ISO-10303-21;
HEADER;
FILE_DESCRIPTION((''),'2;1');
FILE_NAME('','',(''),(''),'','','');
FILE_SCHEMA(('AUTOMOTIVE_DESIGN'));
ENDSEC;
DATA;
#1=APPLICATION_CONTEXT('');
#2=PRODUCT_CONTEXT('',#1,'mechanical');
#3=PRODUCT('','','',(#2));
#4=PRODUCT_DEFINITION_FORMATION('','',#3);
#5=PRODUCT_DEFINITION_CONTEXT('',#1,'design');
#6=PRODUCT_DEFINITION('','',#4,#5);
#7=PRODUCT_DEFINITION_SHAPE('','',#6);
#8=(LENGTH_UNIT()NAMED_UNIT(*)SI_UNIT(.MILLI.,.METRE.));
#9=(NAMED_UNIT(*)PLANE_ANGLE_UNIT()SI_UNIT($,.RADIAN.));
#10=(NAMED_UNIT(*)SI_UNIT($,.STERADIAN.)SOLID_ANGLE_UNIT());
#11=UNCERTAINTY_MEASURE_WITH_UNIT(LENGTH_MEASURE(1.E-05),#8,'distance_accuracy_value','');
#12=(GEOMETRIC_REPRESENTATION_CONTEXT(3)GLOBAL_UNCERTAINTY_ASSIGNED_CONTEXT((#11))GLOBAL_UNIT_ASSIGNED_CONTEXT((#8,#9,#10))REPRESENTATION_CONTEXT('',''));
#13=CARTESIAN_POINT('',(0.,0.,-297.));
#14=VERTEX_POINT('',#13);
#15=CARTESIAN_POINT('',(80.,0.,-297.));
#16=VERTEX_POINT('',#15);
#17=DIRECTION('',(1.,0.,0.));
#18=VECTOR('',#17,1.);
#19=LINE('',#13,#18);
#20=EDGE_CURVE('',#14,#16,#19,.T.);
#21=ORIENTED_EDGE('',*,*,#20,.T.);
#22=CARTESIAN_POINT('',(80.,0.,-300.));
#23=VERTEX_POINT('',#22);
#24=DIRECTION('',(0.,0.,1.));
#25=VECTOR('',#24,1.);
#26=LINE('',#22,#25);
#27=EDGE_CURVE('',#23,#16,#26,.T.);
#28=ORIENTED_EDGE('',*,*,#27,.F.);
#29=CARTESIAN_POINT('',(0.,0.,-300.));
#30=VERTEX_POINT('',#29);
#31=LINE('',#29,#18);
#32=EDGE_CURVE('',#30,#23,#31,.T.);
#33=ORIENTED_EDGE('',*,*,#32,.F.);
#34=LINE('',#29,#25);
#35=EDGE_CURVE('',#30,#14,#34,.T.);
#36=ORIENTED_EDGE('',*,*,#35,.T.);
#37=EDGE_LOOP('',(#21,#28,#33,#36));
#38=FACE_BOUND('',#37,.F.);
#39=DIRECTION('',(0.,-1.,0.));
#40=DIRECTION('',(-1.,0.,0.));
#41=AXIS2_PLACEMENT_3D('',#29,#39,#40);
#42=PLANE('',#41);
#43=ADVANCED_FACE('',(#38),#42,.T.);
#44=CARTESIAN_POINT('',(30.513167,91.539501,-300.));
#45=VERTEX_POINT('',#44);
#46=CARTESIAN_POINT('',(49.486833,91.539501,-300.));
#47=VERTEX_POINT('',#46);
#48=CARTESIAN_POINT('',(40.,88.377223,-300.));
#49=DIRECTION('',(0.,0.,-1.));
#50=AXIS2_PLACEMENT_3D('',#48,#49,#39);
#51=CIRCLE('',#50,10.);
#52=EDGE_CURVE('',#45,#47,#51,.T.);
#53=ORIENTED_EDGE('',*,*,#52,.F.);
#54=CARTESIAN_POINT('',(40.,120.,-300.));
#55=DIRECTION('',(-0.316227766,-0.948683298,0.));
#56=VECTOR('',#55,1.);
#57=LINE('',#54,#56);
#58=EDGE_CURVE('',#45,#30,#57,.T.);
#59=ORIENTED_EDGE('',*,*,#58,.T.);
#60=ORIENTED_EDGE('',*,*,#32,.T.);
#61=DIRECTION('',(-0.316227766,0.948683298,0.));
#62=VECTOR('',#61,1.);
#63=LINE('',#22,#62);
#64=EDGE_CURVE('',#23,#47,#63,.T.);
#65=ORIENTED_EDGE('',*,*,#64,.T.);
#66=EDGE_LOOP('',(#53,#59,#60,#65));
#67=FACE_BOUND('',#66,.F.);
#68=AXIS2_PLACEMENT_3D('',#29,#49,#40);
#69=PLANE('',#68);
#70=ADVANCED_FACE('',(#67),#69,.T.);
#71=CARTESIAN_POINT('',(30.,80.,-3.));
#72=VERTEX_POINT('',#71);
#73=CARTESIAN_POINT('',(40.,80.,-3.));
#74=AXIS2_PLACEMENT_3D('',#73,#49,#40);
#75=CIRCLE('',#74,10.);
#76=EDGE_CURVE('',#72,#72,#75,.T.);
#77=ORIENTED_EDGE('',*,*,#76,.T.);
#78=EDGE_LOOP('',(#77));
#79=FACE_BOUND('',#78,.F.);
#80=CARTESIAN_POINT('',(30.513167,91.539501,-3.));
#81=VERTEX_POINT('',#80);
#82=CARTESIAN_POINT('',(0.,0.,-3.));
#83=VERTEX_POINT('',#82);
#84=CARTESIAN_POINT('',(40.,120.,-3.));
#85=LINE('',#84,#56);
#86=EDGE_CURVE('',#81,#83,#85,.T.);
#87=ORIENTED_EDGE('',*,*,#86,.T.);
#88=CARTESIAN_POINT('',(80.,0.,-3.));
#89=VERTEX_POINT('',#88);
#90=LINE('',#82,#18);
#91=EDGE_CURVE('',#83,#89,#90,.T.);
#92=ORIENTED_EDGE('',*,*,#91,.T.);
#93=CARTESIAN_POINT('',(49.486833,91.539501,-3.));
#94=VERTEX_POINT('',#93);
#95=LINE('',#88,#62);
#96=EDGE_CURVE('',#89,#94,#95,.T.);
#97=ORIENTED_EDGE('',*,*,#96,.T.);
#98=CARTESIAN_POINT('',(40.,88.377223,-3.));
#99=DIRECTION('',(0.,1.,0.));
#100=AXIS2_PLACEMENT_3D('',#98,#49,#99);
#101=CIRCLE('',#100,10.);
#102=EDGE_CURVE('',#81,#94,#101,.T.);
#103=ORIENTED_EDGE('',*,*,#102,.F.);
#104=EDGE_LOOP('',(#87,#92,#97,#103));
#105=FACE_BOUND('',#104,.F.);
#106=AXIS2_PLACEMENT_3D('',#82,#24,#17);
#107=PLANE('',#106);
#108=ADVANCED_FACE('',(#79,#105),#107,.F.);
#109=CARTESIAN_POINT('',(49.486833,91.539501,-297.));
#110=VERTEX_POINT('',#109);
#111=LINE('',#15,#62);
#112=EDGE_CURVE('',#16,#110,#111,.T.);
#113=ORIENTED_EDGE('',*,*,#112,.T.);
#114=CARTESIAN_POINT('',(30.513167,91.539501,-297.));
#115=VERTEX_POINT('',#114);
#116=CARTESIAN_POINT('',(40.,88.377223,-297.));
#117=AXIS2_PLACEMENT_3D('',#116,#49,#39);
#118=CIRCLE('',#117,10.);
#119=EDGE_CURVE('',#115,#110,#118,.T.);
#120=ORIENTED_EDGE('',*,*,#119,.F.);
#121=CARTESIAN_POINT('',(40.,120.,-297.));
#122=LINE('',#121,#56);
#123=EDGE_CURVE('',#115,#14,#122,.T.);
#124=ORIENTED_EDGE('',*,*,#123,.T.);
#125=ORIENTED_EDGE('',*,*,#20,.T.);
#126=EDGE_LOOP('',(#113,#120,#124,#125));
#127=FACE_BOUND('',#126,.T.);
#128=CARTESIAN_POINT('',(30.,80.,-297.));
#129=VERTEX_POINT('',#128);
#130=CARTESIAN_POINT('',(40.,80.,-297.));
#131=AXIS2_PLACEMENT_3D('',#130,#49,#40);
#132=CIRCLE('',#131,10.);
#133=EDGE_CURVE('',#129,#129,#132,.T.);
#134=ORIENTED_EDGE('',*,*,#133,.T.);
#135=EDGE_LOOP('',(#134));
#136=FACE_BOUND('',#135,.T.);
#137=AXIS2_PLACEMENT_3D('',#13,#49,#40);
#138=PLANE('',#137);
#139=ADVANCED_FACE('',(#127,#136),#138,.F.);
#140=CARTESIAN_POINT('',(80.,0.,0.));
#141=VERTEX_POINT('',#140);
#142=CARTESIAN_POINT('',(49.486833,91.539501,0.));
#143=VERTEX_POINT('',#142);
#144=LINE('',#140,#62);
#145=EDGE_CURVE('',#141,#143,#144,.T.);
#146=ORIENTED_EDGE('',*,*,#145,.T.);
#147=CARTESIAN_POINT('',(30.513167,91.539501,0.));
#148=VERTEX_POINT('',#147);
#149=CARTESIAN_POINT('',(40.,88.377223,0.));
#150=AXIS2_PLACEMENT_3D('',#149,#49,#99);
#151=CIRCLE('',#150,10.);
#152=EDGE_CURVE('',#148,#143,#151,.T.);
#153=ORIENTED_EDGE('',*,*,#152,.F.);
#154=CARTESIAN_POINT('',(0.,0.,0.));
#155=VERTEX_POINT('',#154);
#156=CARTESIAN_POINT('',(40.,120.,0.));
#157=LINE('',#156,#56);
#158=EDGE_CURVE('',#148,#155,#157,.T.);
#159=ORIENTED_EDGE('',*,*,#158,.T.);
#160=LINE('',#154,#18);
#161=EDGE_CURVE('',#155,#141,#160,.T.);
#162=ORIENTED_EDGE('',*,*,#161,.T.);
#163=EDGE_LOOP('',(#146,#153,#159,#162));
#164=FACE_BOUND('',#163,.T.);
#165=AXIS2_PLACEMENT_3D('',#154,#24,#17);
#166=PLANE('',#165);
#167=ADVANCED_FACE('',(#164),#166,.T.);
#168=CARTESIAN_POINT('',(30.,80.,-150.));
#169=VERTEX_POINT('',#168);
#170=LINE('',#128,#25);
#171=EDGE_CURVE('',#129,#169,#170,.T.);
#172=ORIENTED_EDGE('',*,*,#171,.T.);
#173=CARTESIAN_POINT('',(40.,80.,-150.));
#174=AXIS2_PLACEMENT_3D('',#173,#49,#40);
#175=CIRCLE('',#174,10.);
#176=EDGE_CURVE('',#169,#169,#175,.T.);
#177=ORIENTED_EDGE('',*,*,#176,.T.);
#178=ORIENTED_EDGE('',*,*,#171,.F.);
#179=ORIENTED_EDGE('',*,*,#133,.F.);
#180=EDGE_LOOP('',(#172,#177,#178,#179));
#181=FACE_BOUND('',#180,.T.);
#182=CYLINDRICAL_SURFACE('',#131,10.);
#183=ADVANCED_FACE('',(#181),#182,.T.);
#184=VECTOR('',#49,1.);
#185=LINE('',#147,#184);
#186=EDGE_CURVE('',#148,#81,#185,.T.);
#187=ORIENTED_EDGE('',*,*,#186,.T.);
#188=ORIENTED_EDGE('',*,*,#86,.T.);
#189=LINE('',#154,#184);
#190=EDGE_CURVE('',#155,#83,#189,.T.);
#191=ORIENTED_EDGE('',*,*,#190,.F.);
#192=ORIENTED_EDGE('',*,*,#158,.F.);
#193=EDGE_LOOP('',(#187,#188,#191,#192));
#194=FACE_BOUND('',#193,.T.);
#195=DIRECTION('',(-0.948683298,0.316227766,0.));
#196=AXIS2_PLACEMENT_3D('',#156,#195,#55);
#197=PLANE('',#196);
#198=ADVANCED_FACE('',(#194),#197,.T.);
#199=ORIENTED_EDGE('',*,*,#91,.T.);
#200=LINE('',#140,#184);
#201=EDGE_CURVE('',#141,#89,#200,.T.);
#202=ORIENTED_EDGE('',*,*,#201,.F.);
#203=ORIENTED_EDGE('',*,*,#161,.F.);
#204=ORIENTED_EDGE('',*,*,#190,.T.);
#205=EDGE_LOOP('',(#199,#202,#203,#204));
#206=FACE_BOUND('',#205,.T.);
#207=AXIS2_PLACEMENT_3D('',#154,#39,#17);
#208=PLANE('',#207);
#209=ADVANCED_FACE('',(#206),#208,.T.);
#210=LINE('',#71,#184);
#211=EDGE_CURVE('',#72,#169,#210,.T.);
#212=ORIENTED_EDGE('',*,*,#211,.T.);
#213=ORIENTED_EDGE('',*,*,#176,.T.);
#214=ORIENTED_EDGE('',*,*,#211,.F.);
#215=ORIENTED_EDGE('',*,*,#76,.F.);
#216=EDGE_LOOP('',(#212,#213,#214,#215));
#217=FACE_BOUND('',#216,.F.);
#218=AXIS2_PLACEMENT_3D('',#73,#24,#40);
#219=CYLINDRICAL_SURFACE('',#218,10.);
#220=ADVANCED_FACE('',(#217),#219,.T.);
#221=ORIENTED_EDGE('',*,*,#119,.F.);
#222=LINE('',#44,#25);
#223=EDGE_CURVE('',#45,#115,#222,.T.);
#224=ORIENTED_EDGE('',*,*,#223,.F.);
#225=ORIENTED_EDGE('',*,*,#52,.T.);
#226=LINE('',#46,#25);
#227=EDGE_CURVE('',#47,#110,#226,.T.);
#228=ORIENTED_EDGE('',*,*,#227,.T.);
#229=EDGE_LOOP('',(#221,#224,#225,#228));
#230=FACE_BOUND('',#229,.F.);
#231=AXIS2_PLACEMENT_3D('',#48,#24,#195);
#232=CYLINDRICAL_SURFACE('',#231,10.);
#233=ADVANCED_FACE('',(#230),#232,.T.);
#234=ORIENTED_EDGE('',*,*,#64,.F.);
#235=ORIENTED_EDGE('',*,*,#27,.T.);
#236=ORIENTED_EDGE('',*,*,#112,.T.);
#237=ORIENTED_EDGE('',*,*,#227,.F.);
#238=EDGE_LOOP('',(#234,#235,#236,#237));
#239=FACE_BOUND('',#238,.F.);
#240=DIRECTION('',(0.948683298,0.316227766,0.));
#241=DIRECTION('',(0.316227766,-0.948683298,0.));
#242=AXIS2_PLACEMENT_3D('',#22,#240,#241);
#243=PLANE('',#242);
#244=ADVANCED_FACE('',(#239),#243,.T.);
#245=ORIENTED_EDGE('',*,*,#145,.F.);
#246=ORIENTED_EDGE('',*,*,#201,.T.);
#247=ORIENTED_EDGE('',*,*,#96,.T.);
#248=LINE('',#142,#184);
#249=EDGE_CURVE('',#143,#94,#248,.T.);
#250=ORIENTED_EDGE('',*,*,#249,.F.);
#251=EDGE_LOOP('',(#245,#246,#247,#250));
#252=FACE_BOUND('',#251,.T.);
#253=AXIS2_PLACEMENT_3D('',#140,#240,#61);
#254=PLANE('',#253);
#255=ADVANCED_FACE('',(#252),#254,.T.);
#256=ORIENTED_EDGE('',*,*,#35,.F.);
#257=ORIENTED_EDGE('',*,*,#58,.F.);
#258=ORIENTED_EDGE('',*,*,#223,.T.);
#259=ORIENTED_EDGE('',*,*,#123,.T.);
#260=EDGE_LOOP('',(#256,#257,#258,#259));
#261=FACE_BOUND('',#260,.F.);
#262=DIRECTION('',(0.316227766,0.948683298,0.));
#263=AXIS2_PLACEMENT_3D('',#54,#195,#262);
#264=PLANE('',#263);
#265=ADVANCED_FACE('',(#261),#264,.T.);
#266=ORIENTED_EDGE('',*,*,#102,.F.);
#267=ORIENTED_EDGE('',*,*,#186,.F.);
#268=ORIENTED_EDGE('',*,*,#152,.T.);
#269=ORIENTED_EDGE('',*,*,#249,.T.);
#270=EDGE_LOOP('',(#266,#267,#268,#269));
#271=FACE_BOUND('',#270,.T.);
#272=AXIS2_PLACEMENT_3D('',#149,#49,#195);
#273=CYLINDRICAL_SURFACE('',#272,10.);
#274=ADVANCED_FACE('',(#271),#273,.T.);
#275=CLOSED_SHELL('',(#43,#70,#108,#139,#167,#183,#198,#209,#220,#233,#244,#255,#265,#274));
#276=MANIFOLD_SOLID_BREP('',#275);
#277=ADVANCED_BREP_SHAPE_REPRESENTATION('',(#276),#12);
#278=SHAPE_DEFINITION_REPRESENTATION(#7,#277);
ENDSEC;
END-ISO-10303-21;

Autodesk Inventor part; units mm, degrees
ref_plane "YZ Plane" through (0, 0, 0) normal (1, 0, 0) x (0, 1, 0)
ref_plane "XZ Plane" through (0, 0, 0) normal (0, 1, 0) x (-1, 0, 0)
ref_plane "XY Plane" through (0, 0, 0) normal (0, 0, 1) x (1, 0, 0)
sketch "Sketch1" plane through (0, 0, 0) normal (0, 0, 1) x (1, 0, 0)
  point P0 (0, 0)
sketch "Sketch2" plane through (0, 0, 0) normal (0, 0, 1) x (1, 0, 0)
  line L0 (0, 0) -> (80, 0)
  line L1 (80, 0) -> (40, 120)
  line L2 (40, 120) -> (0, 0)
  dimension "d0" = 80
  dimension "d1" = 120
  dimension "d2" = 40
extrude "Extrusion1" add sketch "Sketch2" against normal blind 3
sketch "Sketch3" plane through (0, 0, -3) normal (0, 0, -1) x (-1, 0, 0)
  circle A0 centre (-40, 80) radius 10
  line L0 (-80, 0) -> (0, 0) projected
  point P0 (-40, 120)
  point P1 (-40, 0)
  dimension "d5" = 20
  dimension "d6" = 0
  dimension "d7" = 80
fillet "Fillet1" radius 10 1 edges at (40, 120, -1.5)
extrude "Extrusion2" add sketch "Sketch3" along normal blind 147
mirror "Mirror1" about plane through (40, 80, -150) normal (0, 0, -1) of "Extrusion2", "Extrusion1"
fillet "Fillet2" radius 10 1 edges at (40, 120, -298.5)
properties part number "stand"
